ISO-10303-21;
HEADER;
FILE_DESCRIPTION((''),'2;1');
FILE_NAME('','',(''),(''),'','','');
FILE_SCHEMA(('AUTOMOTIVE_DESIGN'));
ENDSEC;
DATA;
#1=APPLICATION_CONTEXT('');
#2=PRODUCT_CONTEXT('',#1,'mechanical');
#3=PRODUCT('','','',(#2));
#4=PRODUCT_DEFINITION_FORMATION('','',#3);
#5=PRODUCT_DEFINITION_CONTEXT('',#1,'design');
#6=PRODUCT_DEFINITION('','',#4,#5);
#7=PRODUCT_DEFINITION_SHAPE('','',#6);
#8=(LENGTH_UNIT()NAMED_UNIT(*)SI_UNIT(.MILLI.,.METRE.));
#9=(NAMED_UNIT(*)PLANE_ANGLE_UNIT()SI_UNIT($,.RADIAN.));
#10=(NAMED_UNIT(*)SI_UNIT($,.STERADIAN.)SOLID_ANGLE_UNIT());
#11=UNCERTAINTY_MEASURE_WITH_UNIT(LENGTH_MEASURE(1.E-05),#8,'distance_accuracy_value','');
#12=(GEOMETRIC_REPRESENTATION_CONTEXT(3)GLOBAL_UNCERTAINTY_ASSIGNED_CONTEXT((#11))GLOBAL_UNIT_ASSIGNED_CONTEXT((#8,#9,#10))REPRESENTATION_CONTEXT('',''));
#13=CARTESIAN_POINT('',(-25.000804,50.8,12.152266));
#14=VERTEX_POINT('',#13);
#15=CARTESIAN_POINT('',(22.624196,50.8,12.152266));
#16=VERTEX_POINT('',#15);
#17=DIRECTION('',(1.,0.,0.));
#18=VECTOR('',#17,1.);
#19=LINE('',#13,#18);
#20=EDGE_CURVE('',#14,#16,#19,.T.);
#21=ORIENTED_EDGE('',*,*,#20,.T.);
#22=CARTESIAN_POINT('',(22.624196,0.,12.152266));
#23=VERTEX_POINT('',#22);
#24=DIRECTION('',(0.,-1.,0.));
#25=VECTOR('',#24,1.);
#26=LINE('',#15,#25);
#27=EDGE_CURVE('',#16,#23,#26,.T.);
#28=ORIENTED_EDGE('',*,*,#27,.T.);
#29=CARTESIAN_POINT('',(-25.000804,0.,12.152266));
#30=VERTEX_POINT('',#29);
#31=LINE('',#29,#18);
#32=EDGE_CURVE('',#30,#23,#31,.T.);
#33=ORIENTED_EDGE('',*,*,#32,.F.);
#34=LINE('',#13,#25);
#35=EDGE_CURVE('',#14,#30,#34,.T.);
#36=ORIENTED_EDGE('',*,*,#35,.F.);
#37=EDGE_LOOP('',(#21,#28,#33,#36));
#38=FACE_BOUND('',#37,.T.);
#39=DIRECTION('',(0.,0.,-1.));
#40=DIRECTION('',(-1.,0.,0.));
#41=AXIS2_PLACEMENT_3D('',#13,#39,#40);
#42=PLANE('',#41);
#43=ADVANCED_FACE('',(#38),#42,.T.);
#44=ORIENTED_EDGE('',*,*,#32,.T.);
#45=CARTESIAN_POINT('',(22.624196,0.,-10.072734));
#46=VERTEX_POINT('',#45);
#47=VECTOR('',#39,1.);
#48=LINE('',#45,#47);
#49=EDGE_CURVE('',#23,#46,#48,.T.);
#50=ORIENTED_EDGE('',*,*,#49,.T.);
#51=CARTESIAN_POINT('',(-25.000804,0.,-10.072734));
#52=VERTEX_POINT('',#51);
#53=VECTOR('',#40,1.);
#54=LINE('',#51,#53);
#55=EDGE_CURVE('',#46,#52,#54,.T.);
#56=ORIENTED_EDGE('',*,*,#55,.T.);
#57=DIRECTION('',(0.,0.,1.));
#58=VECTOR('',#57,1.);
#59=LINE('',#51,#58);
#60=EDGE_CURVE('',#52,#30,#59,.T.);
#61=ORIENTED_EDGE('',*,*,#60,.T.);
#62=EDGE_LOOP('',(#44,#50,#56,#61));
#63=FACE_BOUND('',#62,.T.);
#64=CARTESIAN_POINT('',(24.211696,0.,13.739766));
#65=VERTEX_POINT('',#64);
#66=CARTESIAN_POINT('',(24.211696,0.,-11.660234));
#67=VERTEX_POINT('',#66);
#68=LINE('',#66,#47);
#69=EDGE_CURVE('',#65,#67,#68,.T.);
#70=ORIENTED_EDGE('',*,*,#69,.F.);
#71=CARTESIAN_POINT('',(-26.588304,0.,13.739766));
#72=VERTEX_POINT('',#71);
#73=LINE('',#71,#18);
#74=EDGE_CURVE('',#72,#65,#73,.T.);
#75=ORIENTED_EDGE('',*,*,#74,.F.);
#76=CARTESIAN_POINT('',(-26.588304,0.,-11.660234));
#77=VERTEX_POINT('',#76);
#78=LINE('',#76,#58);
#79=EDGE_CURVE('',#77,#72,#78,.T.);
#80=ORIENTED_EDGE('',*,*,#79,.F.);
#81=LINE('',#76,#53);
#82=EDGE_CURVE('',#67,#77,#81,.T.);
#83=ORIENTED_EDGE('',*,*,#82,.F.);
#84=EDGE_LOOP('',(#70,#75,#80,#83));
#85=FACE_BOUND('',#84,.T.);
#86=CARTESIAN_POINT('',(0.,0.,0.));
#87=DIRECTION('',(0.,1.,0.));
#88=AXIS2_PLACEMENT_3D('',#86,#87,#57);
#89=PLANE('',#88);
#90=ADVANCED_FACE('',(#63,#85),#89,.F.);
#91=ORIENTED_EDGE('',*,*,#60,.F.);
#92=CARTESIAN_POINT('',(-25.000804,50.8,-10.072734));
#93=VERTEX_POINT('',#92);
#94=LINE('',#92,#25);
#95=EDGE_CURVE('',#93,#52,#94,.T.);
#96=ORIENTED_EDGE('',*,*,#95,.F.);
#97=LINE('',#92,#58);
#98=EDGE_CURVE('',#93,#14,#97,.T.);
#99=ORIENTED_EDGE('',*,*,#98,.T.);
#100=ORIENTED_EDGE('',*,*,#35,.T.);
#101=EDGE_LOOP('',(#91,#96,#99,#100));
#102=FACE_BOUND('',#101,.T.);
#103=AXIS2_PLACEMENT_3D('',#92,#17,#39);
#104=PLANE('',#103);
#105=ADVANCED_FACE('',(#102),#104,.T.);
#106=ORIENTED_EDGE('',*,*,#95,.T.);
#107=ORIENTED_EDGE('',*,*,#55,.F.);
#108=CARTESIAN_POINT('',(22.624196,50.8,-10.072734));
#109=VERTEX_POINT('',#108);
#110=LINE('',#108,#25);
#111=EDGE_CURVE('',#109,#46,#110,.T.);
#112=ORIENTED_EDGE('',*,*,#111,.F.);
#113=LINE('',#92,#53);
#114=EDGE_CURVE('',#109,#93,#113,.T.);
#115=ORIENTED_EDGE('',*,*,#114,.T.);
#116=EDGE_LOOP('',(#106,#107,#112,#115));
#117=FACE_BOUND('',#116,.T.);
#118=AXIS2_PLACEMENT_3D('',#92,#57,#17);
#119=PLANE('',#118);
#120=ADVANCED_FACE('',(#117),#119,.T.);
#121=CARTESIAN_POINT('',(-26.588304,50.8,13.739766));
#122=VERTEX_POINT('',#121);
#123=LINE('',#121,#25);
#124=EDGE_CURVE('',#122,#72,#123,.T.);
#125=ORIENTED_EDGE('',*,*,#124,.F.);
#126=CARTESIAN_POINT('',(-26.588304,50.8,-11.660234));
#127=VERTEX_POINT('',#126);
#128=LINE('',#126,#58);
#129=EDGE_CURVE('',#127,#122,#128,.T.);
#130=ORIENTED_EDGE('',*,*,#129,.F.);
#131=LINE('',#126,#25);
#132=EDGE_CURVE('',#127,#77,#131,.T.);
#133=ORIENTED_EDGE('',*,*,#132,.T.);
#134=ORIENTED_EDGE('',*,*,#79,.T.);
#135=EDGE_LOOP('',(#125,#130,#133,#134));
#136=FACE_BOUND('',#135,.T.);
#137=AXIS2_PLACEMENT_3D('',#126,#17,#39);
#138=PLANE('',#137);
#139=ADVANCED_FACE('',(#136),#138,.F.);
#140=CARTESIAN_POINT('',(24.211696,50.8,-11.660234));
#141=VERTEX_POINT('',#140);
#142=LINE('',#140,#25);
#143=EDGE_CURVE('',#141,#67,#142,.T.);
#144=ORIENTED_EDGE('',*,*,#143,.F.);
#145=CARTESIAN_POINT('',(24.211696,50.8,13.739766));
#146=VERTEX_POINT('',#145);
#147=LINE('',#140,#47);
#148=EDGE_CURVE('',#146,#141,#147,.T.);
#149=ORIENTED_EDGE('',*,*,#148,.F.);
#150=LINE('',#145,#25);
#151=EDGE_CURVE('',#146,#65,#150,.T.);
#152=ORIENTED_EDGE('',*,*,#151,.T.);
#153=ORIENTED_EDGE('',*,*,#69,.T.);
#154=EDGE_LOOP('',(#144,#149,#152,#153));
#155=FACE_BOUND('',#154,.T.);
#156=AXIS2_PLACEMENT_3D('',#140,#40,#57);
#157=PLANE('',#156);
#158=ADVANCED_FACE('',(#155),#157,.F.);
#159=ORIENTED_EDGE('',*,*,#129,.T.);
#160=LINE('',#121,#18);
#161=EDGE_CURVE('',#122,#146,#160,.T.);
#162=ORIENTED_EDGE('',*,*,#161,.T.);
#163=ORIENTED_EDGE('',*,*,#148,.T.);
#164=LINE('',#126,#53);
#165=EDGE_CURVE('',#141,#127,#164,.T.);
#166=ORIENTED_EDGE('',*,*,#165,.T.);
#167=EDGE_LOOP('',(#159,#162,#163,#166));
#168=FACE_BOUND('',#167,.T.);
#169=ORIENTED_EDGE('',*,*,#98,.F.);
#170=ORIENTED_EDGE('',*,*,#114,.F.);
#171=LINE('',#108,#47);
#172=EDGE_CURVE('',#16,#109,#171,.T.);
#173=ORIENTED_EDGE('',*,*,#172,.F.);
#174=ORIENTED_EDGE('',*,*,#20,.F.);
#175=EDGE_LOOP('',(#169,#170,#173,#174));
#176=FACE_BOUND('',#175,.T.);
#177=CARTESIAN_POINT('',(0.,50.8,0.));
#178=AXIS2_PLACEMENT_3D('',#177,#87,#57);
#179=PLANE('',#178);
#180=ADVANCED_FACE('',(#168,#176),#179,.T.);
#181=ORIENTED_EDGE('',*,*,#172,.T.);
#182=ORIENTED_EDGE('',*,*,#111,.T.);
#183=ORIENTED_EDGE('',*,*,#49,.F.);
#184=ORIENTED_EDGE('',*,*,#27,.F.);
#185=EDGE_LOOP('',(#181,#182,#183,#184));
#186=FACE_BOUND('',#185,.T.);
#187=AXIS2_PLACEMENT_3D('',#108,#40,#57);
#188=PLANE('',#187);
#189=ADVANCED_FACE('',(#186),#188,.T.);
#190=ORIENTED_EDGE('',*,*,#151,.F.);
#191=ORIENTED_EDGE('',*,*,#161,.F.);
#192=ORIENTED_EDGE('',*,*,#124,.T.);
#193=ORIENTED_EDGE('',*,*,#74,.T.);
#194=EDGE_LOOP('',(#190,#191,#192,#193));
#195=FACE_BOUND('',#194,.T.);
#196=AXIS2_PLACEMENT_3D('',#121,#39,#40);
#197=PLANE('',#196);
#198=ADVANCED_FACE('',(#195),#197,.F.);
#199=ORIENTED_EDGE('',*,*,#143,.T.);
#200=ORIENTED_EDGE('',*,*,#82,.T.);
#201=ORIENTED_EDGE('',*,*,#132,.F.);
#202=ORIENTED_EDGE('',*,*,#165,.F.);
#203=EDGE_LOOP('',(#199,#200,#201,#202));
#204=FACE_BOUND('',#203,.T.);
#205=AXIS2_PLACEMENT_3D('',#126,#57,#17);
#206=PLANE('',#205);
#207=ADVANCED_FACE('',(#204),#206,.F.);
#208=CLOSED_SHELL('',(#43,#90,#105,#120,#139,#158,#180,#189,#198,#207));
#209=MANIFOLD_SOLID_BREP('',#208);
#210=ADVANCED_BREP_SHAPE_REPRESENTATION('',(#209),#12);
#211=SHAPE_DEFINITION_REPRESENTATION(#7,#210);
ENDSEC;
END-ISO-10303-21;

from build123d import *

# Parameters (mm, degrees)
SKETCH1_W           = 50.8
SKETCH1_H           = 25.4
SKETCH1_W_2         = 47.625
SKETCH1_H_2         = 22.225
BOSS_EXTRUDE1_DEPTH = 50.8


with BuildPart() as part:
    # Sketch1 → Boss-Extrude1 (new body)
    with BuildSketch(Plane(origin=(0, 0, 0), x_dir=(1, 0, 0), z_dir=(0, 1, 0))):
        with Locations((-1.188304094, -1.039766082)):
            Rectangle(SKETCH1_W, SKETCH1_H)
        with Locations((-1.188304094, -1.039766082)):
            Rectangle(SKETCH1_W_2, SKETCH1_H_2, mode=Mode.SUBTRACT)
    extrude(amount=BOSS_EXTRUDE1_DEPTH)


solid = part.part
